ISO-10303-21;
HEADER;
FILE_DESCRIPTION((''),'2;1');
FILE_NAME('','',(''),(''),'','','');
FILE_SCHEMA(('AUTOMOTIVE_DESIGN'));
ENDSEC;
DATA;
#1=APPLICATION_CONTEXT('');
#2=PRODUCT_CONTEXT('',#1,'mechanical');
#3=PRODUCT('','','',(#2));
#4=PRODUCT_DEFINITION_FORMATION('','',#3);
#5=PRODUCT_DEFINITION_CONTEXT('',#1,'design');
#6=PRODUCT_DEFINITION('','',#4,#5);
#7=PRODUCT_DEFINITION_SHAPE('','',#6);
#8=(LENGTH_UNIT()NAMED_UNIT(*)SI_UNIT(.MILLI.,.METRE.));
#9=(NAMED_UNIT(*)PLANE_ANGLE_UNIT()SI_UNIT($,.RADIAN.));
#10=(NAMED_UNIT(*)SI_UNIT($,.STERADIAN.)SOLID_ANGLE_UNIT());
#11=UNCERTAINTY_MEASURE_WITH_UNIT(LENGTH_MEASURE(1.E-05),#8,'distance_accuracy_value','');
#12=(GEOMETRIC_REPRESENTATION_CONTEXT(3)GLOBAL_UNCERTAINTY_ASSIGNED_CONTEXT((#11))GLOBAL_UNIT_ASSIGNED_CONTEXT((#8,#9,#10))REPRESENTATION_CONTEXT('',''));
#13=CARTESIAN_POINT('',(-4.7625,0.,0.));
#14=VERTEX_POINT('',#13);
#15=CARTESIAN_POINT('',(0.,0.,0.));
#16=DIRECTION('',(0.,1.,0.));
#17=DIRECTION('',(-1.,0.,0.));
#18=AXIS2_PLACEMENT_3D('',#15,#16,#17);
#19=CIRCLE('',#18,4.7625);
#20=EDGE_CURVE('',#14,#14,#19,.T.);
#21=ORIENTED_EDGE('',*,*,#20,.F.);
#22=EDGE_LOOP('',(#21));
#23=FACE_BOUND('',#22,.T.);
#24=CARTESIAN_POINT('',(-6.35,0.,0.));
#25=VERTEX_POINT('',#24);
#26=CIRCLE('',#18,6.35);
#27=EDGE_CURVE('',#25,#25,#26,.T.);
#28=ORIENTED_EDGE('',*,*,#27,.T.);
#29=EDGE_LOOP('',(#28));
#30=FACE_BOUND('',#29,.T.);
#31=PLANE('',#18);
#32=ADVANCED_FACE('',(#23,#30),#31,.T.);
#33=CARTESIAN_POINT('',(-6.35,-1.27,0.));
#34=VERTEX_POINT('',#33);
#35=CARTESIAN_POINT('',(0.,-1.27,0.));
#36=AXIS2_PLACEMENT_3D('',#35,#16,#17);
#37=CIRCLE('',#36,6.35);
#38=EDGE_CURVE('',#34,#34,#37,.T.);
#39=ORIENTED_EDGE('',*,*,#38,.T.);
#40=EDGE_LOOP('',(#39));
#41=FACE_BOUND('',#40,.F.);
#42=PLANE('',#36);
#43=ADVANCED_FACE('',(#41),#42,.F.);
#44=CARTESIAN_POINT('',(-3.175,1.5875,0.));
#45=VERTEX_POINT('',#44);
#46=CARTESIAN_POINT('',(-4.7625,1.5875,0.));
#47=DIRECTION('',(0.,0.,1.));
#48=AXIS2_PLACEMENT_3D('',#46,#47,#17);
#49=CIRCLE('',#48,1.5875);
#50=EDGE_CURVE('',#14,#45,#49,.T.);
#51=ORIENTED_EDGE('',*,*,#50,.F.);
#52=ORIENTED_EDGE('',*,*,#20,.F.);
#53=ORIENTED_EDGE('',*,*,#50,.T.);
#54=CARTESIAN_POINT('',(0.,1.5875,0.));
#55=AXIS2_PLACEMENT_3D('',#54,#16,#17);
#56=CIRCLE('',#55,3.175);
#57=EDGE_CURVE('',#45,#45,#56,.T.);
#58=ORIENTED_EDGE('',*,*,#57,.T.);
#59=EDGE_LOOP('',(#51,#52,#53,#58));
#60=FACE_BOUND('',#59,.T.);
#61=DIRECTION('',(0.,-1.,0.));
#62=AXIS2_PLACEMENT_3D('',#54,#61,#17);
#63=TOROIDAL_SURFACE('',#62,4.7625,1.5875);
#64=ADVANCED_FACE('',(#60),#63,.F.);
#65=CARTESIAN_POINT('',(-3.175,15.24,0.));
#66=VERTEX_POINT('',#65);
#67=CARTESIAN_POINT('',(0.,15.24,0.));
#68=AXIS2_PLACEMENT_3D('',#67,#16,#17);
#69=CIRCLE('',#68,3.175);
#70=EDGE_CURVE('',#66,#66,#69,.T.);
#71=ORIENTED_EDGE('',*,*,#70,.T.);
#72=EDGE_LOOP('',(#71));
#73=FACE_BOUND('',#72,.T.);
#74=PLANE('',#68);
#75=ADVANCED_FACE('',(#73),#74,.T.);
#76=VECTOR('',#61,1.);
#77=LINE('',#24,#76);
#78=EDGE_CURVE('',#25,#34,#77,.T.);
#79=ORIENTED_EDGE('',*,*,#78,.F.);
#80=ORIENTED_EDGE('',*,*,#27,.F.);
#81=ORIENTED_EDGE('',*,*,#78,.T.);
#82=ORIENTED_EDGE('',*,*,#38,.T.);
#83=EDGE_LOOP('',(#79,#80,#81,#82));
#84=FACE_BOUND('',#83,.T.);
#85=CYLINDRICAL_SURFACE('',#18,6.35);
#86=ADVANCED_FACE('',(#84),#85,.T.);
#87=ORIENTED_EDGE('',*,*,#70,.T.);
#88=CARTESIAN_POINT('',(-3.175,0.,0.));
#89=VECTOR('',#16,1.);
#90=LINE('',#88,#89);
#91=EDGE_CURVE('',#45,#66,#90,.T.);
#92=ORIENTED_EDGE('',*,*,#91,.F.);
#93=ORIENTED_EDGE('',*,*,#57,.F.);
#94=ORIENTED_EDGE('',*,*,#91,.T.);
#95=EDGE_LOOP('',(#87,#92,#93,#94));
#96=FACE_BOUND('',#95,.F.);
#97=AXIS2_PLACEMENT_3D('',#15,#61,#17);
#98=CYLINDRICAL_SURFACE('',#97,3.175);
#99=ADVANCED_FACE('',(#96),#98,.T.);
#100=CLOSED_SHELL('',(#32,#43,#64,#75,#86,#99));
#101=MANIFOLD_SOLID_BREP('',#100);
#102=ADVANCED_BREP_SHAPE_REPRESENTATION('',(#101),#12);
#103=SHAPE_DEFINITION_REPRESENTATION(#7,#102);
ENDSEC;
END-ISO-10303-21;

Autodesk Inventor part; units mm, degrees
ref_plane "YZ Plane" through (0, 0, 0) normal (1, 0, 0) x (0, 1, 0)
ref_plane "XZ Plane" through (0, 0, 0) normal (0, 1, 0) x (-1, 0, 0)
ref_plane "XY Plane" through (0, 0, 0) normal (0, 0, 1) x (1, 0, 0)
sketch "Sketch1" plane through (0, 0, 0) normal (0, 1, 0) x (-1, 0, 0)
  circle A0 centre (0, 0) radius 6.35
  circle A1 centre (0, 0) radius 3.175
  dimension "d0" = 12.7
  dimension "d1" = 6.35
extrude "Extrusion1" add sketch "Sketch1" along normal blind 15.24 contours A1
extrude "Extrusion2" add sketch "Sketch1" against normal blind 1.27 contours A0 | A1
fillet "Fillet1" radius 1.5875 1 edges at (3.175, 0, 0)
properties part number "Pin_3DPrint"
